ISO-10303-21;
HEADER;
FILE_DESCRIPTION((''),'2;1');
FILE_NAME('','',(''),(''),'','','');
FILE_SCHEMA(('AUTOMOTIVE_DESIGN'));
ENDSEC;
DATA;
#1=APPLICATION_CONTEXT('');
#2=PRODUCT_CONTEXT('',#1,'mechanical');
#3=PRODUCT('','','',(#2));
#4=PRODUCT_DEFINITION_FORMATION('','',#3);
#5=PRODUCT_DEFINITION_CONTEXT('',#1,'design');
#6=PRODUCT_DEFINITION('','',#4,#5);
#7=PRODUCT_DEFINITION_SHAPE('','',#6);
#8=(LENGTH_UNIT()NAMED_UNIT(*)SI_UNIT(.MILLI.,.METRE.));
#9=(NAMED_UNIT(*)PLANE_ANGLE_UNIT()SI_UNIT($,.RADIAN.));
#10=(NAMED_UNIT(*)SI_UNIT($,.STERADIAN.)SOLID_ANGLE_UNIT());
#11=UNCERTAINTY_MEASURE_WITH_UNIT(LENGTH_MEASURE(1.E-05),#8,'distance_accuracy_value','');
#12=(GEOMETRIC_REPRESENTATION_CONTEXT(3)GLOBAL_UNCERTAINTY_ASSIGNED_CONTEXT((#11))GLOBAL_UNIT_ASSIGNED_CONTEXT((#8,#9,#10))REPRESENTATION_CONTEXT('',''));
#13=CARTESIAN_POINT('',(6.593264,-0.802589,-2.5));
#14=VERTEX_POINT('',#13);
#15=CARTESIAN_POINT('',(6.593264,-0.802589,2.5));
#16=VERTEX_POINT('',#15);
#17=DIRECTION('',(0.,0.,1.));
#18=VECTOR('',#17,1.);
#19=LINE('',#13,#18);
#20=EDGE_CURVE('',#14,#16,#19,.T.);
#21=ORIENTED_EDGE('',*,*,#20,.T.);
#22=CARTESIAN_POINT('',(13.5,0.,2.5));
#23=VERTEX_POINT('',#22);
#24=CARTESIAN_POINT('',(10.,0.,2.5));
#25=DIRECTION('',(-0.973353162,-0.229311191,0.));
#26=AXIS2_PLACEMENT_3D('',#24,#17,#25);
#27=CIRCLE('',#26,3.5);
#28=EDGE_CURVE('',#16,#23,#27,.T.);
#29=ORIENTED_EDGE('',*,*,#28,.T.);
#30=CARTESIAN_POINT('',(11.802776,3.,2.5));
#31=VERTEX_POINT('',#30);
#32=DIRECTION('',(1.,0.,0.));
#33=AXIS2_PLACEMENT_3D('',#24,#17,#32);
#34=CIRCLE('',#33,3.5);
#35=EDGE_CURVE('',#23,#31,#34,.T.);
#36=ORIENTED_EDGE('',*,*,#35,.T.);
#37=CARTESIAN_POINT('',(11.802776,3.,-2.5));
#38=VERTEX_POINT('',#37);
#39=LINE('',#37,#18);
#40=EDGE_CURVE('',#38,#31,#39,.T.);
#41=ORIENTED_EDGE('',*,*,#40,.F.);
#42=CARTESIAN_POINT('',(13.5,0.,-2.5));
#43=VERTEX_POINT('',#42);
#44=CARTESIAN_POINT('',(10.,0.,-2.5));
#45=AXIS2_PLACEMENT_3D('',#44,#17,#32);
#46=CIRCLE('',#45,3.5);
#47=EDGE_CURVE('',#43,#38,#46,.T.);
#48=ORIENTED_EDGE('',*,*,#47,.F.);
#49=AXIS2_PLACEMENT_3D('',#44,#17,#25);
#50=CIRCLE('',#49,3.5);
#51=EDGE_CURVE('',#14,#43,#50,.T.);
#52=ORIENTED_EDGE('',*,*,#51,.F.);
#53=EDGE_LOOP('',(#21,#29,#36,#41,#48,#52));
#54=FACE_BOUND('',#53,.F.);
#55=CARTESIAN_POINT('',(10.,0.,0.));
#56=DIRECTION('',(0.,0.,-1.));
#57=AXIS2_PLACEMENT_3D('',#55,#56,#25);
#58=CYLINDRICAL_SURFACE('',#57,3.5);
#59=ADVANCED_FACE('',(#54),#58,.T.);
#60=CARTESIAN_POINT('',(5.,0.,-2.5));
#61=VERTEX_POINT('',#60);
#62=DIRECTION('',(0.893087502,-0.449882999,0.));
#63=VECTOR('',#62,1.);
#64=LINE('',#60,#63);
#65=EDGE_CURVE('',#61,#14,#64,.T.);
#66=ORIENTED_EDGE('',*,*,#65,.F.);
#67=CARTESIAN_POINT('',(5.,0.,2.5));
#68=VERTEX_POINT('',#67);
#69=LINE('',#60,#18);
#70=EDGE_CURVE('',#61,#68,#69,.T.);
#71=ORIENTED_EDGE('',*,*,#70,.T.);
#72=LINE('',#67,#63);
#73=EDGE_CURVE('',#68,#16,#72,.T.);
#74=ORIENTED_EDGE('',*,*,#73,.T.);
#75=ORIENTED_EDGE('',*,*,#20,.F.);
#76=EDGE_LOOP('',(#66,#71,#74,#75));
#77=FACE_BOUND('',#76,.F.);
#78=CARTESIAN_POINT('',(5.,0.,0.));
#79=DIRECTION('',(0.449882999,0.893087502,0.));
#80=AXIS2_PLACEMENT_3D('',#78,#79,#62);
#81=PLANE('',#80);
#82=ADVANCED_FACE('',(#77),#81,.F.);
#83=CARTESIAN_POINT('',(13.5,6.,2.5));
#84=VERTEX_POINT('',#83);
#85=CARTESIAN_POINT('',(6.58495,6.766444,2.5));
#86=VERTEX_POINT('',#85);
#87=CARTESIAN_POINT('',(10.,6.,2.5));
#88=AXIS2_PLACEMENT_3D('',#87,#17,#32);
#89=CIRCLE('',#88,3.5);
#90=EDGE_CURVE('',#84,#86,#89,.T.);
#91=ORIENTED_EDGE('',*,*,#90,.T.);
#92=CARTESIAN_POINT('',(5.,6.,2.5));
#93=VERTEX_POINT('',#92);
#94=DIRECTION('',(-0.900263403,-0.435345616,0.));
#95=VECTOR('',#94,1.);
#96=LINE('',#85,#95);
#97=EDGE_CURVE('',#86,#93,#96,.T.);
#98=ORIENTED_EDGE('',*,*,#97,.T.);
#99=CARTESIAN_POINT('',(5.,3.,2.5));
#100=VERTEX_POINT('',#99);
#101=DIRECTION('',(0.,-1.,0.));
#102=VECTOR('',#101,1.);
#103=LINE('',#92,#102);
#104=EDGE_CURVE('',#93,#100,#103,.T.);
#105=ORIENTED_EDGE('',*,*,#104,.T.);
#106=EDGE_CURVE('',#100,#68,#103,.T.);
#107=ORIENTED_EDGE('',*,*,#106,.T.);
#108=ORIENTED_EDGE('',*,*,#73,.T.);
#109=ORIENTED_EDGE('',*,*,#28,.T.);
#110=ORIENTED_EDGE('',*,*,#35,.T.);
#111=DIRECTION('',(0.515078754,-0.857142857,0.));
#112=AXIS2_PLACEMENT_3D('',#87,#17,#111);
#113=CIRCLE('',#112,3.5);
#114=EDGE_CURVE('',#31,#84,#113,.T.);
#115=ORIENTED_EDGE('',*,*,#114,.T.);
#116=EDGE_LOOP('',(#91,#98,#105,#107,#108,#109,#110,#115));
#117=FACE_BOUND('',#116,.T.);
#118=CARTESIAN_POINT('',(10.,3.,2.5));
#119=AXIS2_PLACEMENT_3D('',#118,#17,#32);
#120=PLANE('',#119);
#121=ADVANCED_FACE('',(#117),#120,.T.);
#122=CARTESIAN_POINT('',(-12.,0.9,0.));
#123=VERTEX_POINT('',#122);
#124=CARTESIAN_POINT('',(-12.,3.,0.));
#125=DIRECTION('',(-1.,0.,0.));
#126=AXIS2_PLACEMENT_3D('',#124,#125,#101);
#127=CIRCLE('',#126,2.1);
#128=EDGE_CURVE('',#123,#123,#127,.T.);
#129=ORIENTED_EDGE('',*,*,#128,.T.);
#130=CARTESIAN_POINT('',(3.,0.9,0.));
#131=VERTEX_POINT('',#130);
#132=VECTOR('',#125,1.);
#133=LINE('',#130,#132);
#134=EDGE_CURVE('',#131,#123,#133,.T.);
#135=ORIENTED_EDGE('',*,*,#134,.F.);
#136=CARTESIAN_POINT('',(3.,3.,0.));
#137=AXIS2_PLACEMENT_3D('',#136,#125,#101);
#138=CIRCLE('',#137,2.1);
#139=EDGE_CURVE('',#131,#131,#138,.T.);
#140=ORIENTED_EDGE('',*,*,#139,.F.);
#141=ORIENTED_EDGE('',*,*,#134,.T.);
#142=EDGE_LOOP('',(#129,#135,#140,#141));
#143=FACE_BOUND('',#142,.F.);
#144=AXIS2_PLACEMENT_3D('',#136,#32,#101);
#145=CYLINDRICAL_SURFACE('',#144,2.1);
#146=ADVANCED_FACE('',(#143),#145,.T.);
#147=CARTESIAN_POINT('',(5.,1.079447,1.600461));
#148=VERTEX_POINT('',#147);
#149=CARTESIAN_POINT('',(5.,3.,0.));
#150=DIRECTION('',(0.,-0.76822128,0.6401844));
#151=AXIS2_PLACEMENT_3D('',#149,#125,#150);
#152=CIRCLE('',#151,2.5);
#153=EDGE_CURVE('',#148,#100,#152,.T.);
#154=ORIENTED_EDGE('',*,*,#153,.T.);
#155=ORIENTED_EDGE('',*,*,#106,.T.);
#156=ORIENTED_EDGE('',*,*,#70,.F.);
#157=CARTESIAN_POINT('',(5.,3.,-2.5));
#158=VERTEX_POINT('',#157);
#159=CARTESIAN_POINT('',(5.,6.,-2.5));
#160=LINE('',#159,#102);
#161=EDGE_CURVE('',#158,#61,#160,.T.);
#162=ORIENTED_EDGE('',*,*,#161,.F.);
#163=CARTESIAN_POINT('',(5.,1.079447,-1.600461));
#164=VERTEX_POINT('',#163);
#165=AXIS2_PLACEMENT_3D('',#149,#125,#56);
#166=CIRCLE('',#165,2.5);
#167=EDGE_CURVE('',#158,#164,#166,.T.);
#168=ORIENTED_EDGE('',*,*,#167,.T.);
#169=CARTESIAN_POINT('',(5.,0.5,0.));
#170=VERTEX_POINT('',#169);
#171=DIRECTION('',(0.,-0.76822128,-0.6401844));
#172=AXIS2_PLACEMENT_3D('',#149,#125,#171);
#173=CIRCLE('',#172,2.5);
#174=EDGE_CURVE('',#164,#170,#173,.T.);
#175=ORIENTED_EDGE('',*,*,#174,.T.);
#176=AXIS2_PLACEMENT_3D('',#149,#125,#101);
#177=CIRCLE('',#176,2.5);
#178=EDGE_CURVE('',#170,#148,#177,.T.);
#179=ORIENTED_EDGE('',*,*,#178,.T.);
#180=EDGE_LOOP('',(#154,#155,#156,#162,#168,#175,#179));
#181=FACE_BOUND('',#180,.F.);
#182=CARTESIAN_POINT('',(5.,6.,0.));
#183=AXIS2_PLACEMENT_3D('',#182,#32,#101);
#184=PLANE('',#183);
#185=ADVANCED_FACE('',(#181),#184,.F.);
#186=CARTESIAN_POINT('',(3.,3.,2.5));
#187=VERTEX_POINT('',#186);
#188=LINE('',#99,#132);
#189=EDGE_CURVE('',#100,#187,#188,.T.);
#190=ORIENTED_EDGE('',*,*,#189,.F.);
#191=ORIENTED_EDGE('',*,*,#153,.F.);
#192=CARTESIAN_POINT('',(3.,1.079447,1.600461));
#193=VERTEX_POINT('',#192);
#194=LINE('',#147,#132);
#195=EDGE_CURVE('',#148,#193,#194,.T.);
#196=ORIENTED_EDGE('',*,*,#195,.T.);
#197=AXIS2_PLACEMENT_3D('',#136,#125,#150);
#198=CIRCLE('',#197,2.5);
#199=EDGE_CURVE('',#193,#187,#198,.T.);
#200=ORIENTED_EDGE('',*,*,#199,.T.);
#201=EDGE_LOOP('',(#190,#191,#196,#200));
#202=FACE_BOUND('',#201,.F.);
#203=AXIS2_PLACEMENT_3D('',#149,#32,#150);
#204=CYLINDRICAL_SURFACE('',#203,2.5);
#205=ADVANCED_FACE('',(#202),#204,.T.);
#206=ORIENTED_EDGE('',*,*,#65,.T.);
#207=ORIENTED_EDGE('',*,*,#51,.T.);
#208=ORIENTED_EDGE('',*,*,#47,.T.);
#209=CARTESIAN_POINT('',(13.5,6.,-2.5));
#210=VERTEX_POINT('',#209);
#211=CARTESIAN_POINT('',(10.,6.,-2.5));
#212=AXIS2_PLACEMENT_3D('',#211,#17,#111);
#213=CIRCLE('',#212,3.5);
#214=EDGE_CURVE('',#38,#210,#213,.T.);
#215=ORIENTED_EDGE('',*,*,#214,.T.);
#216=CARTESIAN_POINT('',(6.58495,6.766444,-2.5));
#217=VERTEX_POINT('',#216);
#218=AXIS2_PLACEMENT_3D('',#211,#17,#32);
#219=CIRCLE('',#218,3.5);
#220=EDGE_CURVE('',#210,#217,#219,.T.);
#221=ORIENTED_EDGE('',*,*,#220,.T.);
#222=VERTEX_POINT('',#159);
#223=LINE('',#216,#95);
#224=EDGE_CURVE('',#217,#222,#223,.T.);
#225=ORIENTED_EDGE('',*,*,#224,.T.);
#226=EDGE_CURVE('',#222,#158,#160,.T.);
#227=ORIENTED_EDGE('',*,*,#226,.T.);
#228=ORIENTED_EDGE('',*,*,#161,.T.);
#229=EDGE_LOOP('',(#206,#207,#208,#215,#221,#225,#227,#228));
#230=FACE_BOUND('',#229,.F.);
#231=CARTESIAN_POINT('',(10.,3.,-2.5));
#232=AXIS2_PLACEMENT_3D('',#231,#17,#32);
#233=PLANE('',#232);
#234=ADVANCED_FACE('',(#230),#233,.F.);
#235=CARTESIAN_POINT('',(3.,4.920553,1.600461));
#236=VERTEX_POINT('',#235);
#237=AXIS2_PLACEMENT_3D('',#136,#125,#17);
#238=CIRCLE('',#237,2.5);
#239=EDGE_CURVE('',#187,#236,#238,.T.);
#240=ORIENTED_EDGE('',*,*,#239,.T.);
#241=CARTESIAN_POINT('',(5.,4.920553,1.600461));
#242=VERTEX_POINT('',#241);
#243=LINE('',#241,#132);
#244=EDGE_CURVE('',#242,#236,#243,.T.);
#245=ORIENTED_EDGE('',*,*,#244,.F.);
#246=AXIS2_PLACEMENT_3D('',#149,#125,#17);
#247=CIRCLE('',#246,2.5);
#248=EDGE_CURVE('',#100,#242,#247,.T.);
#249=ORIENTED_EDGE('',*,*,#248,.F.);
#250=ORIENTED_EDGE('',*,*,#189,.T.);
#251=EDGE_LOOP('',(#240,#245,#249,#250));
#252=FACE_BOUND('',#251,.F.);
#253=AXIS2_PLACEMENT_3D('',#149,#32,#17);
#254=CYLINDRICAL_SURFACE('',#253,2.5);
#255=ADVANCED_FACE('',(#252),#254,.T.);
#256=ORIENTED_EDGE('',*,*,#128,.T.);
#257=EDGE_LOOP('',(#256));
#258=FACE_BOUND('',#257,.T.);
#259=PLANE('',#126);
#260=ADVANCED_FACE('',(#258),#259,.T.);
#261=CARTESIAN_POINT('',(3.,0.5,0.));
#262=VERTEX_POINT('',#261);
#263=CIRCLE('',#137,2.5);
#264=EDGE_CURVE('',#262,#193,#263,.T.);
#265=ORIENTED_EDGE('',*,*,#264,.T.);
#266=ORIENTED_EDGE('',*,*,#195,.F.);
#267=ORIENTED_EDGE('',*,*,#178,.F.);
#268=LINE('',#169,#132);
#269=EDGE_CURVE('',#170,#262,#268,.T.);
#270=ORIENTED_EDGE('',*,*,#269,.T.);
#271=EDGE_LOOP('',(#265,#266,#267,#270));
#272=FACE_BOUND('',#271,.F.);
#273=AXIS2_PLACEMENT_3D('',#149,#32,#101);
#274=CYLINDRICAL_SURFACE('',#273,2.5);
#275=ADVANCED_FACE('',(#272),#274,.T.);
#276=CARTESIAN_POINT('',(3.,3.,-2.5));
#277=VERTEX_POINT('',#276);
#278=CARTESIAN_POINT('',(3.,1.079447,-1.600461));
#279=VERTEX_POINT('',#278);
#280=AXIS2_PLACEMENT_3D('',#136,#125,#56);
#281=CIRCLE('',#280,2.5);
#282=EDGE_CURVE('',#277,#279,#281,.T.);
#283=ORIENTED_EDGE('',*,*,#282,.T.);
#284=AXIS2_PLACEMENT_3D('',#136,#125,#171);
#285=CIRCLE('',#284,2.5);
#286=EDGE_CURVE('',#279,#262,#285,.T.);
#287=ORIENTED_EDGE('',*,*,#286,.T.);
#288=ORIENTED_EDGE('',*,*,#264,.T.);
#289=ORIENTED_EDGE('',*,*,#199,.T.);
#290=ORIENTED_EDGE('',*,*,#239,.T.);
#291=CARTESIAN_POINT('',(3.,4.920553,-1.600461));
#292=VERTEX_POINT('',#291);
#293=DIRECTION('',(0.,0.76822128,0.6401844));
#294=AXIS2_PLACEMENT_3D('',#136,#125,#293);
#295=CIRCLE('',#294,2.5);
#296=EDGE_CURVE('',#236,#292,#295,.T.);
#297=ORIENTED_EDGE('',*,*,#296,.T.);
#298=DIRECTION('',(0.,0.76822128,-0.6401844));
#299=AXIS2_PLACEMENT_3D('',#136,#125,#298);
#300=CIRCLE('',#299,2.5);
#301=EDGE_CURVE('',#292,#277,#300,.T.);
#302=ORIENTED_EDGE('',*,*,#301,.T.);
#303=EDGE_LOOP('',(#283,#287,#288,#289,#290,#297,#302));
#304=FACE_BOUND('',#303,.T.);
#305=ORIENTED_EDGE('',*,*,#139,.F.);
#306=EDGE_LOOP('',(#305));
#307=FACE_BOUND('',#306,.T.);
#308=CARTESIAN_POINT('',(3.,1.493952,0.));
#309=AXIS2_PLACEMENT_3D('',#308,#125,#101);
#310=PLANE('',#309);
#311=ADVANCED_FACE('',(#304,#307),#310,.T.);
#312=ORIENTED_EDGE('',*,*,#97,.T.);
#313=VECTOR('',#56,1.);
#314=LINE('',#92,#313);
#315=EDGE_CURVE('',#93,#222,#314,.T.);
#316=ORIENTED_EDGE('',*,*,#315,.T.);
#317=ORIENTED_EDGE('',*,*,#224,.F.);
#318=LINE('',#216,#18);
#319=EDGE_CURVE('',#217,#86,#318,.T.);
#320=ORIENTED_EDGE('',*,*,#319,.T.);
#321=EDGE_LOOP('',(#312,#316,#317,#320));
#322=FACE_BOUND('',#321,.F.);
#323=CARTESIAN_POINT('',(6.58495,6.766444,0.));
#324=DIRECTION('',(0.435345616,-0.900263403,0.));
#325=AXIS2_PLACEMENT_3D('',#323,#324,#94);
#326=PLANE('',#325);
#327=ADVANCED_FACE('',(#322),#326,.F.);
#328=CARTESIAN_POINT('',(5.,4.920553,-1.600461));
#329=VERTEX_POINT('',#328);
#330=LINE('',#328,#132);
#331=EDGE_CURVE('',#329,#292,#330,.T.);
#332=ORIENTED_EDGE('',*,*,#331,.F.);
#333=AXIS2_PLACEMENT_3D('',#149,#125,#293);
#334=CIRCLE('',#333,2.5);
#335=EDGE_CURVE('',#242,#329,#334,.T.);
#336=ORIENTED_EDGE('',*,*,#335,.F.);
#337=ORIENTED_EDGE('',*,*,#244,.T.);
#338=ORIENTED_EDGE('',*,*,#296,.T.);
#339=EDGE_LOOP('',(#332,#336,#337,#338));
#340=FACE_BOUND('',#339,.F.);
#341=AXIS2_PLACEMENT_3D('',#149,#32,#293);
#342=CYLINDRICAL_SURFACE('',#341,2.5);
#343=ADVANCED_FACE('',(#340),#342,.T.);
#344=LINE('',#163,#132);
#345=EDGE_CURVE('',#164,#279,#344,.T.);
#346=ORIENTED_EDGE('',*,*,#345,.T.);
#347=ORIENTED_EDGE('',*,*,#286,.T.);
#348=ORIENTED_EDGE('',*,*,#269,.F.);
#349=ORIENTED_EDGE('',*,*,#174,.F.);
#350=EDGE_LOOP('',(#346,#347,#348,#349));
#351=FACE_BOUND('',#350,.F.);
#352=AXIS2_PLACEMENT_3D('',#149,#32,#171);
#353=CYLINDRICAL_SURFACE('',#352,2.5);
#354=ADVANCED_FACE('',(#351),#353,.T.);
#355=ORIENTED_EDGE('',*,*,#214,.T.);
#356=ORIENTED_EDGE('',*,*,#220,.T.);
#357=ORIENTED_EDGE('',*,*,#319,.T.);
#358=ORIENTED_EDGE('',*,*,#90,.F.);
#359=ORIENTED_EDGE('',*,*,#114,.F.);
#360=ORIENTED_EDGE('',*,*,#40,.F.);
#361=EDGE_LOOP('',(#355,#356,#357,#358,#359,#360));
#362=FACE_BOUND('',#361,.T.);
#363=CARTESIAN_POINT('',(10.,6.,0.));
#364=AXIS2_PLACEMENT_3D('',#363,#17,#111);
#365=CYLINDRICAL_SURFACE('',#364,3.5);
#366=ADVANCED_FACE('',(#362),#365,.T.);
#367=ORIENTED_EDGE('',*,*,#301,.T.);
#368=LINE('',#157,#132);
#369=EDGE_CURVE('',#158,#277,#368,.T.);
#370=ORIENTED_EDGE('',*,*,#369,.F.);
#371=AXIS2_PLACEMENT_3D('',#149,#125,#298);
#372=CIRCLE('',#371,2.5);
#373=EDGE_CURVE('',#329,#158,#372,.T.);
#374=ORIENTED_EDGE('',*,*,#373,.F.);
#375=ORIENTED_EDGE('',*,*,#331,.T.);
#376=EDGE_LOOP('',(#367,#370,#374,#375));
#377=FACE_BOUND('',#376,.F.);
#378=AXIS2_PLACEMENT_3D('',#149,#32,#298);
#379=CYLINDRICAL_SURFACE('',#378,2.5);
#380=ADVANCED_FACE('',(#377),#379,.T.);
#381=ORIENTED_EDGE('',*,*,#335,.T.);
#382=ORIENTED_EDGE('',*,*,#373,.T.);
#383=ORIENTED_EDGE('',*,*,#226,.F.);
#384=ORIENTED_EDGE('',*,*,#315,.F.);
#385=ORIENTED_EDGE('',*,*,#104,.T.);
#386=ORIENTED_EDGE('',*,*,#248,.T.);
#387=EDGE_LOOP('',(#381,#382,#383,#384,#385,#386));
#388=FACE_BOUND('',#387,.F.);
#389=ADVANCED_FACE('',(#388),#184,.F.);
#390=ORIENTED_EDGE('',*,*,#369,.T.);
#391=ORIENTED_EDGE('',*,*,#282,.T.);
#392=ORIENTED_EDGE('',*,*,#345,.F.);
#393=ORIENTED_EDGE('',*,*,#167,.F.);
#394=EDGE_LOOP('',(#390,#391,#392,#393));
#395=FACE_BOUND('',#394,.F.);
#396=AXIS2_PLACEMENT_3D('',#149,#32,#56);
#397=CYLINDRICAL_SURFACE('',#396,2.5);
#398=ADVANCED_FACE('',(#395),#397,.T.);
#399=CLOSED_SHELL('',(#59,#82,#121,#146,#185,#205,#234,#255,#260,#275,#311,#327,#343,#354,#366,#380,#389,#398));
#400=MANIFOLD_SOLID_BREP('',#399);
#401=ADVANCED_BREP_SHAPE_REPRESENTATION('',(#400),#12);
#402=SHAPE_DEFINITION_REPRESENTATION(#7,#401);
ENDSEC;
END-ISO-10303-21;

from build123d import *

# Parameters (mm, degrees)
F1_DEPTH = 2.5
F3_DEPTH = 2
F4_R     = 2.1
F5_DEPTH = 15


with BuildPart() as f1:
    # F0 (on Top) → F1 (new body, symmetric)
    with BuildSketch(Plane.XY):
        with BuildLine():
            ThreePointArc((8.1972243623, 3), (10, 2.5), (11.8027756377, 3))
            ThreePointArc((11.8027756377, 3), (10, 3.5), (8.1972243623, 3))
        make_face()
        with BuildLine():
            ThreePointArc((8.1972243623, 3), (6.7824000154, 4.6226654949), (6.584950352, 6.7664436716))
            Line((6.584950352, 6.7664436716), (5, 6))
            Line((5, 6), (5, 3))
            Line((5, 3), (5, 0))
            Line((5, 0), (6.5932639339, -0.8025891701))
            ThreePointArc((6.5932639339, -0.8025891701), (6.7751474224, 1.3602668315), (8.1972243623, 3))
        make_face()
        with BuildLine():
            ThreePointArc((11.8027756377, 3), (13.0462858313, 4.2765898242), (13.5, 6))
            ThreePointArc((13.5, 6), (10.385568562, 9.4786975844), (6.584950352, 6.7664436716))
            ThreePointArc((6.584950352, 6.7664436716), (6.7824000154, 4.6226654949), (8.1972243623, 3))
            ThreePointArc((8.1972243623, 3), (10, 3.5), (11.8027756377, 3))
        make_face()
        with BuildLine():
            ThreePointArc((13.5, 0), (13.0462858313, 1.7234101758), (11.8027756377, 3))
            ThreePointArc((11.8027756377, 3), (10, 2.5), (8.1972243623, 3))
            ThreePointArc((8.1972243623, 3), (6.7751474224, 1.3602668315), (6.5932639339, -0.8025891701))
            ThreePointArc((6.5932639339, -0.8025891701), (10.4039949063, -3.4766058327), (13.5, 0))
        make_face()
    extrude(amount=F1_DEPTH, both=True)

    # F2 (on face) → F3 (join)
    with BuildSketch(Plane(origin=(5, 0, 0), x_dir=(0, -1, 0), z_dir=(-1, 0, 0))):
        with BuildLine():
            ThreePointArc((-0.5, 0), (-0.6493210558, 0.8510631594), (-1.079446801, 1.6004609992))
            Line((-1.079446801, 1.6004609992), (-3, 0))
            Line((-3, 0), (-1.079446801, -1.6004609992))
            ThreePointArc((-1.079446801, -1.6004609992), (-0.6493210558, -0.8510631594), (-0.5, 0))
        make_face()
        with BuildLine():
            Line((-3, 0), (-1.079446801, 1.6004609992))
            ThreePointArc((-1.079446801, 1.6004609992), (-1.9396115094, 2.2639735531), (-3, 2.5))
            ThreePointArc((-3, 2.5), (-4.0603884906, 2.2639735531), (-4.920553199, 1.6004609992))
            Line((-4.920553199, 1.6004609992), (-3, 0))
        make_face()
        with BuildLine():
            Line((-1.079446801, -1.6004609992), (-3, 0))
            Line((-3, 0), (-4.920553199, -1.6004609992))
            ThreePointArc((-4.920553199, -1.6004609992), (-4.0603884906, -2.2639735531), (-3, -2.5))
            ThreePointArc((-3, -2.5), (-1.9396115094, -2.2639735531), (-1.079446801, -1.6004609992))
        make_face()
        with BuildLine():
            Line((-4.920553199, -1.6004609992), (-3, 0))
            Line((-3, 0), (-4.920553199, 1.6004609992))
            ThreePointArc((-4.920553199, 1.6004609992), (-5.5, 0), (-4.920553199, -1.6004609992))
        make_face()
    extrude(amount=F3_DEPTH)

    # F4 (on face) → F5 (join)
    with BuildSketch(Plane(origin=(3, 0, 0), x_dir=(0, -1, 0), z_dir=(-1, 0, 0))):
        with Locations((-3, 0)):
            Circle(F4_R)
    extrude(amount=F5_DEPTH)


solid = f1.part
